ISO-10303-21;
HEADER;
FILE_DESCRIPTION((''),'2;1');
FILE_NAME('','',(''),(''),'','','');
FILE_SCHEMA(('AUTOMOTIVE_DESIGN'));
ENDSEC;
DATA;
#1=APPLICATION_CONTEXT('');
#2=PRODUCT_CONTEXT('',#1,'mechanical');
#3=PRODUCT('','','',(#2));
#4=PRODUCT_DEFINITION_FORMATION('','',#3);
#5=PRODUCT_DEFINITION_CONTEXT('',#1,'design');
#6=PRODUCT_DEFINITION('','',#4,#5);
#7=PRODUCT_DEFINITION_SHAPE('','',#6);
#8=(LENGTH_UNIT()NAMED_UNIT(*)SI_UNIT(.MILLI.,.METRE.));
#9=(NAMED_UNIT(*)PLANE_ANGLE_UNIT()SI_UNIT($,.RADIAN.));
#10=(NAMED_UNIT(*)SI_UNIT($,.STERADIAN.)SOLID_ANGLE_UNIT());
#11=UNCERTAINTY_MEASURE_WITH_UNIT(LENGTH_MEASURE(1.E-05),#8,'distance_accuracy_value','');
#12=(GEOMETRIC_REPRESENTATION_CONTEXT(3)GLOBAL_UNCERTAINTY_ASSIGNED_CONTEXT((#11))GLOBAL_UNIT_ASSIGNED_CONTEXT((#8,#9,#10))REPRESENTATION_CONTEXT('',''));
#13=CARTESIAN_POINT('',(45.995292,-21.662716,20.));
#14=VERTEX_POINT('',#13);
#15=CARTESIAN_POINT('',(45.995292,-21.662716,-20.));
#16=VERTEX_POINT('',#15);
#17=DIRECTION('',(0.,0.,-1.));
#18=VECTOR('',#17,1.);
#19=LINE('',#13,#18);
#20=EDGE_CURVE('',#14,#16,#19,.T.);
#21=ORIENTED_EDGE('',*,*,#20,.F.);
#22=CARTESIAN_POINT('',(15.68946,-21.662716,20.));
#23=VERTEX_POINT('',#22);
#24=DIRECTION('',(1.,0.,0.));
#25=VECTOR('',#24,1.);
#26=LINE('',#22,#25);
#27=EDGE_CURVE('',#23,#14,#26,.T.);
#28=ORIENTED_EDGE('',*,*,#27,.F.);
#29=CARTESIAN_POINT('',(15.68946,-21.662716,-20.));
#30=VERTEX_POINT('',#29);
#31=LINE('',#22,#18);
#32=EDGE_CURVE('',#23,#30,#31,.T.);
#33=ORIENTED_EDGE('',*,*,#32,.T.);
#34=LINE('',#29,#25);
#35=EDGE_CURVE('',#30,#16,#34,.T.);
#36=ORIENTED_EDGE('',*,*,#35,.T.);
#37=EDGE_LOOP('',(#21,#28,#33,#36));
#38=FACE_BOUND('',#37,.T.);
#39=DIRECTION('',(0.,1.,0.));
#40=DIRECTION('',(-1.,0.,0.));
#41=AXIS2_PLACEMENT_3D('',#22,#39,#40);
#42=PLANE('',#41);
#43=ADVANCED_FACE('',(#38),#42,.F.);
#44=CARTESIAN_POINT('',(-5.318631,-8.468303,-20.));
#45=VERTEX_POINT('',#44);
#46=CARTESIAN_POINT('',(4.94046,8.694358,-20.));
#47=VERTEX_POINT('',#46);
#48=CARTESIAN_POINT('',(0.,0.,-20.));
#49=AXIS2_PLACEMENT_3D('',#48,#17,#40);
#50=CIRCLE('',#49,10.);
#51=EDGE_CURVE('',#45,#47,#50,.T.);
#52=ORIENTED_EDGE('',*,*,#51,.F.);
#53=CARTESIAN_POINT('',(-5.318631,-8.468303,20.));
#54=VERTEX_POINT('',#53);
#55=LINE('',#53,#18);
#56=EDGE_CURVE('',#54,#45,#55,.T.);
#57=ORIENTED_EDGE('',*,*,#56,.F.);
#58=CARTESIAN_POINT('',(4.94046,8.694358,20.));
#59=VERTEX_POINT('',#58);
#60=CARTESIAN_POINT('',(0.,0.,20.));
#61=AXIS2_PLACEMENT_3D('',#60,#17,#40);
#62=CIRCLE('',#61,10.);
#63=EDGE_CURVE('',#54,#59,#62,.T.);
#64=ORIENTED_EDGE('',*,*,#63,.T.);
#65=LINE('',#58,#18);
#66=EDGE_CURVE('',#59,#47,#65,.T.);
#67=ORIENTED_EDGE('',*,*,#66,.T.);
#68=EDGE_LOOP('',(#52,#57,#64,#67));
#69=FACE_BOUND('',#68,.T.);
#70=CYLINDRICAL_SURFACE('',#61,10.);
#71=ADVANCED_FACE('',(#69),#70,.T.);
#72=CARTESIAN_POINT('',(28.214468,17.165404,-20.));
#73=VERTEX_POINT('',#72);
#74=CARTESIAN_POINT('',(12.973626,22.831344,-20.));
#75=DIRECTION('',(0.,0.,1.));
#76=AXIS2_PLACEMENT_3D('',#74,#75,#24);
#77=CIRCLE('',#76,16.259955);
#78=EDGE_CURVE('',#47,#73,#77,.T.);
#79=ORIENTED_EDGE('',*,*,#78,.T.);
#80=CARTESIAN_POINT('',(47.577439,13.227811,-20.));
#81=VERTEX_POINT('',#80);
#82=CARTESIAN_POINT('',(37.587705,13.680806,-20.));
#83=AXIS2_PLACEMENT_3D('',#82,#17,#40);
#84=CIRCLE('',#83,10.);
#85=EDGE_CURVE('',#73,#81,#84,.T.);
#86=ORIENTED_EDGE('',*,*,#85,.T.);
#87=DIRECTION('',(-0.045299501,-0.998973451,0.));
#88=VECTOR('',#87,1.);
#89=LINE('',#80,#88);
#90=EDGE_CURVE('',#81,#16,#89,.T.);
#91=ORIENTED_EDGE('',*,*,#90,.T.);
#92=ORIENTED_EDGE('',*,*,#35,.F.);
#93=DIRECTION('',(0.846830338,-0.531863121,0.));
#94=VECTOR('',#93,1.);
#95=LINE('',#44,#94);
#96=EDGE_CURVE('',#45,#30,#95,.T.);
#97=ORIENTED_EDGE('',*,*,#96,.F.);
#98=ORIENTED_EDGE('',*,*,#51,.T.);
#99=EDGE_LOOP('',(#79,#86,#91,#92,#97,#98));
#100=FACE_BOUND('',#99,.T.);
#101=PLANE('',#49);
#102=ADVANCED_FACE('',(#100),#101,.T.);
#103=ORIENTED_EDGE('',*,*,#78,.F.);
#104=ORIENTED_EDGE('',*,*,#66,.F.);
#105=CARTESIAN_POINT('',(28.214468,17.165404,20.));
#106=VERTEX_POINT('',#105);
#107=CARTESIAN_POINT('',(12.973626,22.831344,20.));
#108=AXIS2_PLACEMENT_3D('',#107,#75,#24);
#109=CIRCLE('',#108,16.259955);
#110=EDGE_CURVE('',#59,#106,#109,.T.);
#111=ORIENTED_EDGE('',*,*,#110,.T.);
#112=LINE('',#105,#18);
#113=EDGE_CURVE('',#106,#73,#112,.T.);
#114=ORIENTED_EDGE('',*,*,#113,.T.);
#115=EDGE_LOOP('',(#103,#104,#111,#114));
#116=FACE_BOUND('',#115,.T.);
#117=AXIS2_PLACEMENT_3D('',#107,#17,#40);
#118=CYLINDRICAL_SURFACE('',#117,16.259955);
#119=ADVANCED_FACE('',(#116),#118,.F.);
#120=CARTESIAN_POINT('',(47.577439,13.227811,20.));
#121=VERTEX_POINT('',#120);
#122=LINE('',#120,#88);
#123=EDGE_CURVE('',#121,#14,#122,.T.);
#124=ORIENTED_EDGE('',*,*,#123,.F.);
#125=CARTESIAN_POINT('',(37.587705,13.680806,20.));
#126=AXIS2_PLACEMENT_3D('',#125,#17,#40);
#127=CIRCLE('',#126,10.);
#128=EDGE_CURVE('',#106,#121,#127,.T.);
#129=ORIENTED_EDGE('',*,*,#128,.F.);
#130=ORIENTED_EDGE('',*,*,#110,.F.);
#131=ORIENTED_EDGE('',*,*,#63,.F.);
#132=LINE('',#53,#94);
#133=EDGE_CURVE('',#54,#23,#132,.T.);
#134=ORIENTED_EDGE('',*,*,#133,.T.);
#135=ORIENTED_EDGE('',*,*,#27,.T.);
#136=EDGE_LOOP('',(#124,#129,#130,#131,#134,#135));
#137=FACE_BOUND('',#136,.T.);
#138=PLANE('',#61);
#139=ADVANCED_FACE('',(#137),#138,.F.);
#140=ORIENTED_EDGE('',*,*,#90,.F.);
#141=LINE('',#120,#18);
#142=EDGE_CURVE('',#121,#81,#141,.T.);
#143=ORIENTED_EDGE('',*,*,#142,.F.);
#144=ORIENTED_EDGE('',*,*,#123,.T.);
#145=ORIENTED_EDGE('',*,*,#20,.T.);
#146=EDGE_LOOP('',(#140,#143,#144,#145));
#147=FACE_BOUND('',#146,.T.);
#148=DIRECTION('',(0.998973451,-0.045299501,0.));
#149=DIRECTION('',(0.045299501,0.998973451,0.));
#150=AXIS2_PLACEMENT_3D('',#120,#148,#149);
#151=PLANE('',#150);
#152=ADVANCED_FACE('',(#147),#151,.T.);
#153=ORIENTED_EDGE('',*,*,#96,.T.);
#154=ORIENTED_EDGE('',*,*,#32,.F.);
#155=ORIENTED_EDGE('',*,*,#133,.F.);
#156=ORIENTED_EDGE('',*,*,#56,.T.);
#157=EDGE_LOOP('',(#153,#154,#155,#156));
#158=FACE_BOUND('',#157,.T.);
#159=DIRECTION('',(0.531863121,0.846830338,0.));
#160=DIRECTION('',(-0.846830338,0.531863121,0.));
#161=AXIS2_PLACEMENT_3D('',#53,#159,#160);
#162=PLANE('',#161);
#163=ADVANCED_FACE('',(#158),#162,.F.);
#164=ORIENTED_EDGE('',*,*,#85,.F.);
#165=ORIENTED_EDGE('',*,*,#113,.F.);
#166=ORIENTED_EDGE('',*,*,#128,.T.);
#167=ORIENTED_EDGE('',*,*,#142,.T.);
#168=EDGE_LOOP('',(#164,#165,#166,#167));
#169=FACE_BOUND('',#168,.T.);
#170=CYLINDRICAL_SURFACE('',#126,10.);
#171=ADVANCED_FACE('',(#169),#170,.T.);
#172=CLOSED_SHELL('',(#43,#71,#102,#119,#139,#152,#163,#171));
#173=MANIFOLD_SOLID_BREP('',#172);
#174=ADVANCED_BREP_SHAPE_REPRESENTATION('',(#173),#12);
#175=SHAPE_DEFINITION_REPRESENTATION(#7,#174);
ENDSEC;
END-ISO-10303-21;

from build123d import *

# Parameters (mm, degrees)
EXTRUDE_1_DEPTH = 20


with BuildPart() as part:
    # 草图1 → 凸台-拉伸1 (new, symmetric)
    with BuildSketch(Plane.XY):
        with BuildLine():
            Line((47.577439338, 13.227810722), (45.99529172, -21.662716293))
            Line((45.99529172, -21.662716293), (15.689460366, -21.662716293))
            Line((15.689460366, -21.662716293), (-5.318631208, -8.468303377))
            ThreePointArc((-5.318631208, -8.468303377), (-8.583413456, 5.130790723), (4.940460041, 8.694357629))
            ThreePointArc((4.940460041, 8.694357629), (18.534857961, 7.551984283), (28.214467512, 17.165403581))
            ThreePointArc((28.214467512, 17.165403581), (39.580485947, 23.480235483), (47.577439338, 13.227810722))
        make_face()
    extrude(amount=EXTRUDE_1_DEPTH, both=True)


solid = part.part
